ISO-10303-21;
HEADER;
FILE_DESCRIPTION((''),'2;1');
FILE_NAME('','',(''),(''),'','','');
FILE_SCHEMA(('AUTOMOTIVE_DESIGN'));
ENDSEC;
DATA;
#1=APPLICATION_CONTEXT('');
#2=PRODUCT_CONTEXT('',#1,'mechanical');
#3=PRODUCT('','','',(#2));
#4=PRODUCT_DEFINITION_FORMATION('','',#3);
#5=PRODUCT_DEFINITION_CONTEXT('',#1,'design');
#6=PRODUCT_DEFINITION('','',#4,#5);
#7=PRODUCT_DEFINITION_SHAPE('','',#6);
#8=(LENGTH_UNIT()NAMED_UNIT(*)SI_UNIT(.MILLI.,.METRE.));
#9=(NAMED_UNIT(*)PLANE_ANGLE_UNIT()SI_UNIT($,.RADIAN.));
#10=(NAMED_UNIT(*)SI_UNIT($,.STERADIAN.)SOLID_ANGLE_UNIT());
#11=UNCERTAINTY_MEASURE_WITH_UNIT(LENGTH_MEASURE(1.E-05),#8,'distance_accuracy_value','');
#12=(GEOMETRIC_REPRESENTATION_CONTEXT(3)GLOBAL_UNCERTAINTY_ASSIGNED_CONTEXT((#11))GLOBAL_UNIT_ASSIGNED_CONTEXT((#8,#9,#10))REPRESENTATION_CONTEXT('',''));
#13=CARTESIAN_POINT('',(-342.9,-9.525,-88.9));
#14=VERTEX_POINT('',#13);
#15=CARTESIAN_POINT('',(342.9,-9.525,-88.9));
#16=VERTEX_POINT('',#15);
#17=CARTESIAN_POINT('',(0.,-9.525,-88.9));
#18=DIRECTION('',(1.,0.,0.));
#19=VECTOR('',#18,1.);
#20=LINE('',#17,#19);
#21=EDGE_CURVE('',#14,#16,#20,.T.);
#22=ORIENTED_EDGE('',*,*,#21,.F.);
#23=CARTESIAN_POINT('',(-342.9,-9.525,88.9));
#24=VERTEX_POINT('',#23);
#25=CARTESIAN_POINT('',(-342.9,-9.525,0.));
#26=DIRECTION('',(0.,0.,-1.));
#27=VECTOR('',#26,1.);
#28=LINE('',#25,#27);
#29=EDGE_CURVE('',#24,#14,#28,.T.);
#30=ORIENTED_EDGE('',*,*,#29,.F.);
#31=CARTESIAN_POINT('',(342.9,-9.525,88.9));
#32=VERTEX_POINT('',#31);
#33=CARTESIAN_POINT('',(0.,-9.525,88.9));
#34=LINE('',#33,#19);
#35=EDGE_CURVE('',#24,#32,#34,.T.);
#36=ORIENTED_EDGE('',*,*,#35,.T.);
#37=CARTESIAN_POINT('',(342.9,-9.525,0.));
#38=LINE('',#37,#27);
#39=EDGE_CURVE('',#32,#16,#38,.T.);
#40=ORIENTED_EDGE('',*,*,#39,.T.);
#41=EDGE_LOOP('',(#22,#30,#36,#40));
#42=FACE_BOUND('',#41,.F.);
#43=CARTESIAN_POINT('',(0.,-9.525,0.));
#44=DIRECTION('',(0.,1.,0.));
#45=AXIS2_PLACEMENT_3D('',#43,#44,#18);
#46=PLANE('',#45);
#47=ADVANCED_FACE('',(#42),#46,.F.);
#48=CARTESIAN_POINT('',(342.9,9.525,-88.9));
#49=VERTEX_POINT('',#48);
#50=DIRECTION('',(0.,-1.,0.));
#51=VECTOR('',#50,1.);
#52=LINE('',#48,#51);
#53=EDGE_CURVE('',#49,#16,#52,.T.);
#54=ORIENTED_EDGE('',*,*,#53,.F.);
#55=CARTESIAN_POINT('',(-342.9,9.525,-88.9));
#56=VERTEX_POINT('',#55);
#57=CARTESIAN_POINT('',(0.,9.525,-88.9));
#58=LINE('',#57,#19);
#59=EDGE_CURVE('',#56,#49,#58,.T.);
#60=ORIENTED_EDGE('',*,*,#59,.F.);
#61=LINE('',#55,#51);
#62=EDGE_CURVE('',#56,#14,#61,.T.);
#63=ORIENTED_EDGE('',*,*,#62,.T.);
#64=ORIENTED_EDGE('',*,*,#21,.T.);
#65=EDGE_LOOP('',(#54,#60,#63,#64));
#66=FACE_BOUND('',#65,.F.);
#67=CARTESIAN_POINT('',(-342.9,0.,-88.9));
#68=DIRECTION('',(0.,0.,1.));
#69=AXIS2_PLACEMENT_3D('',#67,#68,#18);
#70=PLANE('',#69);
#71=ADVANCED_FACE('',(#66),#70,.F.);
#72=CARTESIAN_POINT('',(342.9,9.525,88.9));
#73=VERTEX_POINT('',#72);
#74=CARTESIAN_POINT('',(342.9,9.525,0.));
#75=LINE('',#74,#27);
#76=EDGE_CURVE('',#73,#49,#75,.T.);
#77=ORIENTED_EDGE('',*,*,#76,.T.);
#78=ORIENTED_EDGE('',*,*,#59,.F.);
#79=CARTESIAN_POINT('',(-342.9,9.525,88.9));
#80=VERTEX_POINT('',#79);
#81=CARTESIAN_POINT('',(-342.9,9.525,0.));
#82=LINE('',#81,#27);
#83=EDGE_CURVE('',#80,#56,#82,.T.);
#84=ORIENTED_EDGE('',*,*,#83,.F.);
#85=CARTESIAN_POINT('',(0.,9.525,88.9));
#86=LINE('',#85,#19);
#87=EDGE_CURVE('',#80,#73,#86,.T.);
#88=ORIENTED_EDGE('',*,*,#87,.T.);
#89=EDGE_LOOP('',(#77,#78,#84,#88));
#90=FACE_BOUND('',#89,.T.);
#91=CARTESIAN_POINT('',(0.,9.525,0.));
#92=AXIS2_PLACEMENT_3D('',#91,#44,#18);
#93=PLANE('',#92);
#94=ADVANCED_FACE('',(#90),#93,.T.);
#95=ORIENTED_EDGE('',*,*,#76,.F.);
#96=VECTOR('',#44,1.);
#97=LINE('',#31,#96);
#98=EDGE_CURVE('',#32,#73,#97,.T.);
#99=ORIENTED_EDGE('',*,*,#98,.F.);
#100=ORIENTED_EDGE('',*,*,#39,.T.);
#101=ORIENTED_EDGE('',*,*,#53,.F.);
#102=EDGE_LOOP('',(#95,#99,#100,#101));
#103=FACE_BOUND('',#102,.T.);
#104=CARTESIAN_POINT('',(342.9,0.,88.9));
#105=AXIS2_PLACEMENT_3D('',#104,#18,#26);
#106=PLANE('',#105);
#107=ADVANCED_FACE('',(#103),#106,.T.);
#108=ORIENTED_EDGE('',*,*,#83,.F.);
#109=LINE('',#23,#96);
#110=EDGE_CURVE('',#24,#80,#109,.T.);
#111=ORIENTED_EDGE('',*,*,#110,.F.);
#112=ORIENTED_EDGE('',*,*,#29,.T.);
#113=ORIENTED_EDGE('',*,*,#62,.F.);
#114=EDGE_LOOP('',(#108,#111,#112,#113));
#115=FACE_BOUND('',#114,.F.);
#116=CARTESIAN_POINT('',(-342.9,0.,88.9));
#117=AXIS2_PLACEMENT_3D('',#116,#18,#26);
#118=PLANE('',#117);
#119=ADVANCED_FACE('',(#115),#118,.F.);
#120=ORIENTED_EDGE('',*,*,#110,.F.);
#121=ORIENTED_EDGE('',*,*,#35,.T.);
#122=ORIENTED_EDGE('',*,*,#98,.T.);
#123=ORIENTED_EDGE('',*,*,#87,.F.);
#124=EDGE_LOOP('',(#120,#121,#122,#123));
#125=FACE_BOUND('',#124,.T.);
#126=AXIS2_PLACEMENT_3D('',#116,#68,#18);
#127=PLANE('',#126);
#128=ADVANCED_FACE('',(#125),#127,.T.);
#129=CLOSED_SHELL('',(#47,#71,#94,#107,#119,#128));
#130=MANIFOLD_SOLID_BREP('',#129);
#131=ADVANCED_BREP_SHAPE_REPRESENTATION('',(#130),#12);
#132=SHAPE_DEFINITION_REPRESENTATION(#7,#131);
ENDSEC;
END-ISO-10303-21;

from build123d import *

# Parameters (mm, degrees)
SKETCH1_W           = 685.8
SKETCH1_H           = 177.8
BOSS_EXTRUDE1_DEPTH = 9.525


with BuildPart() as part:
    # Sketch1 → Boss-Extrude1 (new body, symmetric)
    with BuildSketch(Plane(origin=(0, 0, 0), x_dir=(1, 0, 0), z_dir=(0, 1, 0))):
        Rectangle(SKETCH1_W, SKETCH1_H)
    extrude(amount=BOSS_EXTRUDE1_DEPTH, both=True)


solid = part.part
